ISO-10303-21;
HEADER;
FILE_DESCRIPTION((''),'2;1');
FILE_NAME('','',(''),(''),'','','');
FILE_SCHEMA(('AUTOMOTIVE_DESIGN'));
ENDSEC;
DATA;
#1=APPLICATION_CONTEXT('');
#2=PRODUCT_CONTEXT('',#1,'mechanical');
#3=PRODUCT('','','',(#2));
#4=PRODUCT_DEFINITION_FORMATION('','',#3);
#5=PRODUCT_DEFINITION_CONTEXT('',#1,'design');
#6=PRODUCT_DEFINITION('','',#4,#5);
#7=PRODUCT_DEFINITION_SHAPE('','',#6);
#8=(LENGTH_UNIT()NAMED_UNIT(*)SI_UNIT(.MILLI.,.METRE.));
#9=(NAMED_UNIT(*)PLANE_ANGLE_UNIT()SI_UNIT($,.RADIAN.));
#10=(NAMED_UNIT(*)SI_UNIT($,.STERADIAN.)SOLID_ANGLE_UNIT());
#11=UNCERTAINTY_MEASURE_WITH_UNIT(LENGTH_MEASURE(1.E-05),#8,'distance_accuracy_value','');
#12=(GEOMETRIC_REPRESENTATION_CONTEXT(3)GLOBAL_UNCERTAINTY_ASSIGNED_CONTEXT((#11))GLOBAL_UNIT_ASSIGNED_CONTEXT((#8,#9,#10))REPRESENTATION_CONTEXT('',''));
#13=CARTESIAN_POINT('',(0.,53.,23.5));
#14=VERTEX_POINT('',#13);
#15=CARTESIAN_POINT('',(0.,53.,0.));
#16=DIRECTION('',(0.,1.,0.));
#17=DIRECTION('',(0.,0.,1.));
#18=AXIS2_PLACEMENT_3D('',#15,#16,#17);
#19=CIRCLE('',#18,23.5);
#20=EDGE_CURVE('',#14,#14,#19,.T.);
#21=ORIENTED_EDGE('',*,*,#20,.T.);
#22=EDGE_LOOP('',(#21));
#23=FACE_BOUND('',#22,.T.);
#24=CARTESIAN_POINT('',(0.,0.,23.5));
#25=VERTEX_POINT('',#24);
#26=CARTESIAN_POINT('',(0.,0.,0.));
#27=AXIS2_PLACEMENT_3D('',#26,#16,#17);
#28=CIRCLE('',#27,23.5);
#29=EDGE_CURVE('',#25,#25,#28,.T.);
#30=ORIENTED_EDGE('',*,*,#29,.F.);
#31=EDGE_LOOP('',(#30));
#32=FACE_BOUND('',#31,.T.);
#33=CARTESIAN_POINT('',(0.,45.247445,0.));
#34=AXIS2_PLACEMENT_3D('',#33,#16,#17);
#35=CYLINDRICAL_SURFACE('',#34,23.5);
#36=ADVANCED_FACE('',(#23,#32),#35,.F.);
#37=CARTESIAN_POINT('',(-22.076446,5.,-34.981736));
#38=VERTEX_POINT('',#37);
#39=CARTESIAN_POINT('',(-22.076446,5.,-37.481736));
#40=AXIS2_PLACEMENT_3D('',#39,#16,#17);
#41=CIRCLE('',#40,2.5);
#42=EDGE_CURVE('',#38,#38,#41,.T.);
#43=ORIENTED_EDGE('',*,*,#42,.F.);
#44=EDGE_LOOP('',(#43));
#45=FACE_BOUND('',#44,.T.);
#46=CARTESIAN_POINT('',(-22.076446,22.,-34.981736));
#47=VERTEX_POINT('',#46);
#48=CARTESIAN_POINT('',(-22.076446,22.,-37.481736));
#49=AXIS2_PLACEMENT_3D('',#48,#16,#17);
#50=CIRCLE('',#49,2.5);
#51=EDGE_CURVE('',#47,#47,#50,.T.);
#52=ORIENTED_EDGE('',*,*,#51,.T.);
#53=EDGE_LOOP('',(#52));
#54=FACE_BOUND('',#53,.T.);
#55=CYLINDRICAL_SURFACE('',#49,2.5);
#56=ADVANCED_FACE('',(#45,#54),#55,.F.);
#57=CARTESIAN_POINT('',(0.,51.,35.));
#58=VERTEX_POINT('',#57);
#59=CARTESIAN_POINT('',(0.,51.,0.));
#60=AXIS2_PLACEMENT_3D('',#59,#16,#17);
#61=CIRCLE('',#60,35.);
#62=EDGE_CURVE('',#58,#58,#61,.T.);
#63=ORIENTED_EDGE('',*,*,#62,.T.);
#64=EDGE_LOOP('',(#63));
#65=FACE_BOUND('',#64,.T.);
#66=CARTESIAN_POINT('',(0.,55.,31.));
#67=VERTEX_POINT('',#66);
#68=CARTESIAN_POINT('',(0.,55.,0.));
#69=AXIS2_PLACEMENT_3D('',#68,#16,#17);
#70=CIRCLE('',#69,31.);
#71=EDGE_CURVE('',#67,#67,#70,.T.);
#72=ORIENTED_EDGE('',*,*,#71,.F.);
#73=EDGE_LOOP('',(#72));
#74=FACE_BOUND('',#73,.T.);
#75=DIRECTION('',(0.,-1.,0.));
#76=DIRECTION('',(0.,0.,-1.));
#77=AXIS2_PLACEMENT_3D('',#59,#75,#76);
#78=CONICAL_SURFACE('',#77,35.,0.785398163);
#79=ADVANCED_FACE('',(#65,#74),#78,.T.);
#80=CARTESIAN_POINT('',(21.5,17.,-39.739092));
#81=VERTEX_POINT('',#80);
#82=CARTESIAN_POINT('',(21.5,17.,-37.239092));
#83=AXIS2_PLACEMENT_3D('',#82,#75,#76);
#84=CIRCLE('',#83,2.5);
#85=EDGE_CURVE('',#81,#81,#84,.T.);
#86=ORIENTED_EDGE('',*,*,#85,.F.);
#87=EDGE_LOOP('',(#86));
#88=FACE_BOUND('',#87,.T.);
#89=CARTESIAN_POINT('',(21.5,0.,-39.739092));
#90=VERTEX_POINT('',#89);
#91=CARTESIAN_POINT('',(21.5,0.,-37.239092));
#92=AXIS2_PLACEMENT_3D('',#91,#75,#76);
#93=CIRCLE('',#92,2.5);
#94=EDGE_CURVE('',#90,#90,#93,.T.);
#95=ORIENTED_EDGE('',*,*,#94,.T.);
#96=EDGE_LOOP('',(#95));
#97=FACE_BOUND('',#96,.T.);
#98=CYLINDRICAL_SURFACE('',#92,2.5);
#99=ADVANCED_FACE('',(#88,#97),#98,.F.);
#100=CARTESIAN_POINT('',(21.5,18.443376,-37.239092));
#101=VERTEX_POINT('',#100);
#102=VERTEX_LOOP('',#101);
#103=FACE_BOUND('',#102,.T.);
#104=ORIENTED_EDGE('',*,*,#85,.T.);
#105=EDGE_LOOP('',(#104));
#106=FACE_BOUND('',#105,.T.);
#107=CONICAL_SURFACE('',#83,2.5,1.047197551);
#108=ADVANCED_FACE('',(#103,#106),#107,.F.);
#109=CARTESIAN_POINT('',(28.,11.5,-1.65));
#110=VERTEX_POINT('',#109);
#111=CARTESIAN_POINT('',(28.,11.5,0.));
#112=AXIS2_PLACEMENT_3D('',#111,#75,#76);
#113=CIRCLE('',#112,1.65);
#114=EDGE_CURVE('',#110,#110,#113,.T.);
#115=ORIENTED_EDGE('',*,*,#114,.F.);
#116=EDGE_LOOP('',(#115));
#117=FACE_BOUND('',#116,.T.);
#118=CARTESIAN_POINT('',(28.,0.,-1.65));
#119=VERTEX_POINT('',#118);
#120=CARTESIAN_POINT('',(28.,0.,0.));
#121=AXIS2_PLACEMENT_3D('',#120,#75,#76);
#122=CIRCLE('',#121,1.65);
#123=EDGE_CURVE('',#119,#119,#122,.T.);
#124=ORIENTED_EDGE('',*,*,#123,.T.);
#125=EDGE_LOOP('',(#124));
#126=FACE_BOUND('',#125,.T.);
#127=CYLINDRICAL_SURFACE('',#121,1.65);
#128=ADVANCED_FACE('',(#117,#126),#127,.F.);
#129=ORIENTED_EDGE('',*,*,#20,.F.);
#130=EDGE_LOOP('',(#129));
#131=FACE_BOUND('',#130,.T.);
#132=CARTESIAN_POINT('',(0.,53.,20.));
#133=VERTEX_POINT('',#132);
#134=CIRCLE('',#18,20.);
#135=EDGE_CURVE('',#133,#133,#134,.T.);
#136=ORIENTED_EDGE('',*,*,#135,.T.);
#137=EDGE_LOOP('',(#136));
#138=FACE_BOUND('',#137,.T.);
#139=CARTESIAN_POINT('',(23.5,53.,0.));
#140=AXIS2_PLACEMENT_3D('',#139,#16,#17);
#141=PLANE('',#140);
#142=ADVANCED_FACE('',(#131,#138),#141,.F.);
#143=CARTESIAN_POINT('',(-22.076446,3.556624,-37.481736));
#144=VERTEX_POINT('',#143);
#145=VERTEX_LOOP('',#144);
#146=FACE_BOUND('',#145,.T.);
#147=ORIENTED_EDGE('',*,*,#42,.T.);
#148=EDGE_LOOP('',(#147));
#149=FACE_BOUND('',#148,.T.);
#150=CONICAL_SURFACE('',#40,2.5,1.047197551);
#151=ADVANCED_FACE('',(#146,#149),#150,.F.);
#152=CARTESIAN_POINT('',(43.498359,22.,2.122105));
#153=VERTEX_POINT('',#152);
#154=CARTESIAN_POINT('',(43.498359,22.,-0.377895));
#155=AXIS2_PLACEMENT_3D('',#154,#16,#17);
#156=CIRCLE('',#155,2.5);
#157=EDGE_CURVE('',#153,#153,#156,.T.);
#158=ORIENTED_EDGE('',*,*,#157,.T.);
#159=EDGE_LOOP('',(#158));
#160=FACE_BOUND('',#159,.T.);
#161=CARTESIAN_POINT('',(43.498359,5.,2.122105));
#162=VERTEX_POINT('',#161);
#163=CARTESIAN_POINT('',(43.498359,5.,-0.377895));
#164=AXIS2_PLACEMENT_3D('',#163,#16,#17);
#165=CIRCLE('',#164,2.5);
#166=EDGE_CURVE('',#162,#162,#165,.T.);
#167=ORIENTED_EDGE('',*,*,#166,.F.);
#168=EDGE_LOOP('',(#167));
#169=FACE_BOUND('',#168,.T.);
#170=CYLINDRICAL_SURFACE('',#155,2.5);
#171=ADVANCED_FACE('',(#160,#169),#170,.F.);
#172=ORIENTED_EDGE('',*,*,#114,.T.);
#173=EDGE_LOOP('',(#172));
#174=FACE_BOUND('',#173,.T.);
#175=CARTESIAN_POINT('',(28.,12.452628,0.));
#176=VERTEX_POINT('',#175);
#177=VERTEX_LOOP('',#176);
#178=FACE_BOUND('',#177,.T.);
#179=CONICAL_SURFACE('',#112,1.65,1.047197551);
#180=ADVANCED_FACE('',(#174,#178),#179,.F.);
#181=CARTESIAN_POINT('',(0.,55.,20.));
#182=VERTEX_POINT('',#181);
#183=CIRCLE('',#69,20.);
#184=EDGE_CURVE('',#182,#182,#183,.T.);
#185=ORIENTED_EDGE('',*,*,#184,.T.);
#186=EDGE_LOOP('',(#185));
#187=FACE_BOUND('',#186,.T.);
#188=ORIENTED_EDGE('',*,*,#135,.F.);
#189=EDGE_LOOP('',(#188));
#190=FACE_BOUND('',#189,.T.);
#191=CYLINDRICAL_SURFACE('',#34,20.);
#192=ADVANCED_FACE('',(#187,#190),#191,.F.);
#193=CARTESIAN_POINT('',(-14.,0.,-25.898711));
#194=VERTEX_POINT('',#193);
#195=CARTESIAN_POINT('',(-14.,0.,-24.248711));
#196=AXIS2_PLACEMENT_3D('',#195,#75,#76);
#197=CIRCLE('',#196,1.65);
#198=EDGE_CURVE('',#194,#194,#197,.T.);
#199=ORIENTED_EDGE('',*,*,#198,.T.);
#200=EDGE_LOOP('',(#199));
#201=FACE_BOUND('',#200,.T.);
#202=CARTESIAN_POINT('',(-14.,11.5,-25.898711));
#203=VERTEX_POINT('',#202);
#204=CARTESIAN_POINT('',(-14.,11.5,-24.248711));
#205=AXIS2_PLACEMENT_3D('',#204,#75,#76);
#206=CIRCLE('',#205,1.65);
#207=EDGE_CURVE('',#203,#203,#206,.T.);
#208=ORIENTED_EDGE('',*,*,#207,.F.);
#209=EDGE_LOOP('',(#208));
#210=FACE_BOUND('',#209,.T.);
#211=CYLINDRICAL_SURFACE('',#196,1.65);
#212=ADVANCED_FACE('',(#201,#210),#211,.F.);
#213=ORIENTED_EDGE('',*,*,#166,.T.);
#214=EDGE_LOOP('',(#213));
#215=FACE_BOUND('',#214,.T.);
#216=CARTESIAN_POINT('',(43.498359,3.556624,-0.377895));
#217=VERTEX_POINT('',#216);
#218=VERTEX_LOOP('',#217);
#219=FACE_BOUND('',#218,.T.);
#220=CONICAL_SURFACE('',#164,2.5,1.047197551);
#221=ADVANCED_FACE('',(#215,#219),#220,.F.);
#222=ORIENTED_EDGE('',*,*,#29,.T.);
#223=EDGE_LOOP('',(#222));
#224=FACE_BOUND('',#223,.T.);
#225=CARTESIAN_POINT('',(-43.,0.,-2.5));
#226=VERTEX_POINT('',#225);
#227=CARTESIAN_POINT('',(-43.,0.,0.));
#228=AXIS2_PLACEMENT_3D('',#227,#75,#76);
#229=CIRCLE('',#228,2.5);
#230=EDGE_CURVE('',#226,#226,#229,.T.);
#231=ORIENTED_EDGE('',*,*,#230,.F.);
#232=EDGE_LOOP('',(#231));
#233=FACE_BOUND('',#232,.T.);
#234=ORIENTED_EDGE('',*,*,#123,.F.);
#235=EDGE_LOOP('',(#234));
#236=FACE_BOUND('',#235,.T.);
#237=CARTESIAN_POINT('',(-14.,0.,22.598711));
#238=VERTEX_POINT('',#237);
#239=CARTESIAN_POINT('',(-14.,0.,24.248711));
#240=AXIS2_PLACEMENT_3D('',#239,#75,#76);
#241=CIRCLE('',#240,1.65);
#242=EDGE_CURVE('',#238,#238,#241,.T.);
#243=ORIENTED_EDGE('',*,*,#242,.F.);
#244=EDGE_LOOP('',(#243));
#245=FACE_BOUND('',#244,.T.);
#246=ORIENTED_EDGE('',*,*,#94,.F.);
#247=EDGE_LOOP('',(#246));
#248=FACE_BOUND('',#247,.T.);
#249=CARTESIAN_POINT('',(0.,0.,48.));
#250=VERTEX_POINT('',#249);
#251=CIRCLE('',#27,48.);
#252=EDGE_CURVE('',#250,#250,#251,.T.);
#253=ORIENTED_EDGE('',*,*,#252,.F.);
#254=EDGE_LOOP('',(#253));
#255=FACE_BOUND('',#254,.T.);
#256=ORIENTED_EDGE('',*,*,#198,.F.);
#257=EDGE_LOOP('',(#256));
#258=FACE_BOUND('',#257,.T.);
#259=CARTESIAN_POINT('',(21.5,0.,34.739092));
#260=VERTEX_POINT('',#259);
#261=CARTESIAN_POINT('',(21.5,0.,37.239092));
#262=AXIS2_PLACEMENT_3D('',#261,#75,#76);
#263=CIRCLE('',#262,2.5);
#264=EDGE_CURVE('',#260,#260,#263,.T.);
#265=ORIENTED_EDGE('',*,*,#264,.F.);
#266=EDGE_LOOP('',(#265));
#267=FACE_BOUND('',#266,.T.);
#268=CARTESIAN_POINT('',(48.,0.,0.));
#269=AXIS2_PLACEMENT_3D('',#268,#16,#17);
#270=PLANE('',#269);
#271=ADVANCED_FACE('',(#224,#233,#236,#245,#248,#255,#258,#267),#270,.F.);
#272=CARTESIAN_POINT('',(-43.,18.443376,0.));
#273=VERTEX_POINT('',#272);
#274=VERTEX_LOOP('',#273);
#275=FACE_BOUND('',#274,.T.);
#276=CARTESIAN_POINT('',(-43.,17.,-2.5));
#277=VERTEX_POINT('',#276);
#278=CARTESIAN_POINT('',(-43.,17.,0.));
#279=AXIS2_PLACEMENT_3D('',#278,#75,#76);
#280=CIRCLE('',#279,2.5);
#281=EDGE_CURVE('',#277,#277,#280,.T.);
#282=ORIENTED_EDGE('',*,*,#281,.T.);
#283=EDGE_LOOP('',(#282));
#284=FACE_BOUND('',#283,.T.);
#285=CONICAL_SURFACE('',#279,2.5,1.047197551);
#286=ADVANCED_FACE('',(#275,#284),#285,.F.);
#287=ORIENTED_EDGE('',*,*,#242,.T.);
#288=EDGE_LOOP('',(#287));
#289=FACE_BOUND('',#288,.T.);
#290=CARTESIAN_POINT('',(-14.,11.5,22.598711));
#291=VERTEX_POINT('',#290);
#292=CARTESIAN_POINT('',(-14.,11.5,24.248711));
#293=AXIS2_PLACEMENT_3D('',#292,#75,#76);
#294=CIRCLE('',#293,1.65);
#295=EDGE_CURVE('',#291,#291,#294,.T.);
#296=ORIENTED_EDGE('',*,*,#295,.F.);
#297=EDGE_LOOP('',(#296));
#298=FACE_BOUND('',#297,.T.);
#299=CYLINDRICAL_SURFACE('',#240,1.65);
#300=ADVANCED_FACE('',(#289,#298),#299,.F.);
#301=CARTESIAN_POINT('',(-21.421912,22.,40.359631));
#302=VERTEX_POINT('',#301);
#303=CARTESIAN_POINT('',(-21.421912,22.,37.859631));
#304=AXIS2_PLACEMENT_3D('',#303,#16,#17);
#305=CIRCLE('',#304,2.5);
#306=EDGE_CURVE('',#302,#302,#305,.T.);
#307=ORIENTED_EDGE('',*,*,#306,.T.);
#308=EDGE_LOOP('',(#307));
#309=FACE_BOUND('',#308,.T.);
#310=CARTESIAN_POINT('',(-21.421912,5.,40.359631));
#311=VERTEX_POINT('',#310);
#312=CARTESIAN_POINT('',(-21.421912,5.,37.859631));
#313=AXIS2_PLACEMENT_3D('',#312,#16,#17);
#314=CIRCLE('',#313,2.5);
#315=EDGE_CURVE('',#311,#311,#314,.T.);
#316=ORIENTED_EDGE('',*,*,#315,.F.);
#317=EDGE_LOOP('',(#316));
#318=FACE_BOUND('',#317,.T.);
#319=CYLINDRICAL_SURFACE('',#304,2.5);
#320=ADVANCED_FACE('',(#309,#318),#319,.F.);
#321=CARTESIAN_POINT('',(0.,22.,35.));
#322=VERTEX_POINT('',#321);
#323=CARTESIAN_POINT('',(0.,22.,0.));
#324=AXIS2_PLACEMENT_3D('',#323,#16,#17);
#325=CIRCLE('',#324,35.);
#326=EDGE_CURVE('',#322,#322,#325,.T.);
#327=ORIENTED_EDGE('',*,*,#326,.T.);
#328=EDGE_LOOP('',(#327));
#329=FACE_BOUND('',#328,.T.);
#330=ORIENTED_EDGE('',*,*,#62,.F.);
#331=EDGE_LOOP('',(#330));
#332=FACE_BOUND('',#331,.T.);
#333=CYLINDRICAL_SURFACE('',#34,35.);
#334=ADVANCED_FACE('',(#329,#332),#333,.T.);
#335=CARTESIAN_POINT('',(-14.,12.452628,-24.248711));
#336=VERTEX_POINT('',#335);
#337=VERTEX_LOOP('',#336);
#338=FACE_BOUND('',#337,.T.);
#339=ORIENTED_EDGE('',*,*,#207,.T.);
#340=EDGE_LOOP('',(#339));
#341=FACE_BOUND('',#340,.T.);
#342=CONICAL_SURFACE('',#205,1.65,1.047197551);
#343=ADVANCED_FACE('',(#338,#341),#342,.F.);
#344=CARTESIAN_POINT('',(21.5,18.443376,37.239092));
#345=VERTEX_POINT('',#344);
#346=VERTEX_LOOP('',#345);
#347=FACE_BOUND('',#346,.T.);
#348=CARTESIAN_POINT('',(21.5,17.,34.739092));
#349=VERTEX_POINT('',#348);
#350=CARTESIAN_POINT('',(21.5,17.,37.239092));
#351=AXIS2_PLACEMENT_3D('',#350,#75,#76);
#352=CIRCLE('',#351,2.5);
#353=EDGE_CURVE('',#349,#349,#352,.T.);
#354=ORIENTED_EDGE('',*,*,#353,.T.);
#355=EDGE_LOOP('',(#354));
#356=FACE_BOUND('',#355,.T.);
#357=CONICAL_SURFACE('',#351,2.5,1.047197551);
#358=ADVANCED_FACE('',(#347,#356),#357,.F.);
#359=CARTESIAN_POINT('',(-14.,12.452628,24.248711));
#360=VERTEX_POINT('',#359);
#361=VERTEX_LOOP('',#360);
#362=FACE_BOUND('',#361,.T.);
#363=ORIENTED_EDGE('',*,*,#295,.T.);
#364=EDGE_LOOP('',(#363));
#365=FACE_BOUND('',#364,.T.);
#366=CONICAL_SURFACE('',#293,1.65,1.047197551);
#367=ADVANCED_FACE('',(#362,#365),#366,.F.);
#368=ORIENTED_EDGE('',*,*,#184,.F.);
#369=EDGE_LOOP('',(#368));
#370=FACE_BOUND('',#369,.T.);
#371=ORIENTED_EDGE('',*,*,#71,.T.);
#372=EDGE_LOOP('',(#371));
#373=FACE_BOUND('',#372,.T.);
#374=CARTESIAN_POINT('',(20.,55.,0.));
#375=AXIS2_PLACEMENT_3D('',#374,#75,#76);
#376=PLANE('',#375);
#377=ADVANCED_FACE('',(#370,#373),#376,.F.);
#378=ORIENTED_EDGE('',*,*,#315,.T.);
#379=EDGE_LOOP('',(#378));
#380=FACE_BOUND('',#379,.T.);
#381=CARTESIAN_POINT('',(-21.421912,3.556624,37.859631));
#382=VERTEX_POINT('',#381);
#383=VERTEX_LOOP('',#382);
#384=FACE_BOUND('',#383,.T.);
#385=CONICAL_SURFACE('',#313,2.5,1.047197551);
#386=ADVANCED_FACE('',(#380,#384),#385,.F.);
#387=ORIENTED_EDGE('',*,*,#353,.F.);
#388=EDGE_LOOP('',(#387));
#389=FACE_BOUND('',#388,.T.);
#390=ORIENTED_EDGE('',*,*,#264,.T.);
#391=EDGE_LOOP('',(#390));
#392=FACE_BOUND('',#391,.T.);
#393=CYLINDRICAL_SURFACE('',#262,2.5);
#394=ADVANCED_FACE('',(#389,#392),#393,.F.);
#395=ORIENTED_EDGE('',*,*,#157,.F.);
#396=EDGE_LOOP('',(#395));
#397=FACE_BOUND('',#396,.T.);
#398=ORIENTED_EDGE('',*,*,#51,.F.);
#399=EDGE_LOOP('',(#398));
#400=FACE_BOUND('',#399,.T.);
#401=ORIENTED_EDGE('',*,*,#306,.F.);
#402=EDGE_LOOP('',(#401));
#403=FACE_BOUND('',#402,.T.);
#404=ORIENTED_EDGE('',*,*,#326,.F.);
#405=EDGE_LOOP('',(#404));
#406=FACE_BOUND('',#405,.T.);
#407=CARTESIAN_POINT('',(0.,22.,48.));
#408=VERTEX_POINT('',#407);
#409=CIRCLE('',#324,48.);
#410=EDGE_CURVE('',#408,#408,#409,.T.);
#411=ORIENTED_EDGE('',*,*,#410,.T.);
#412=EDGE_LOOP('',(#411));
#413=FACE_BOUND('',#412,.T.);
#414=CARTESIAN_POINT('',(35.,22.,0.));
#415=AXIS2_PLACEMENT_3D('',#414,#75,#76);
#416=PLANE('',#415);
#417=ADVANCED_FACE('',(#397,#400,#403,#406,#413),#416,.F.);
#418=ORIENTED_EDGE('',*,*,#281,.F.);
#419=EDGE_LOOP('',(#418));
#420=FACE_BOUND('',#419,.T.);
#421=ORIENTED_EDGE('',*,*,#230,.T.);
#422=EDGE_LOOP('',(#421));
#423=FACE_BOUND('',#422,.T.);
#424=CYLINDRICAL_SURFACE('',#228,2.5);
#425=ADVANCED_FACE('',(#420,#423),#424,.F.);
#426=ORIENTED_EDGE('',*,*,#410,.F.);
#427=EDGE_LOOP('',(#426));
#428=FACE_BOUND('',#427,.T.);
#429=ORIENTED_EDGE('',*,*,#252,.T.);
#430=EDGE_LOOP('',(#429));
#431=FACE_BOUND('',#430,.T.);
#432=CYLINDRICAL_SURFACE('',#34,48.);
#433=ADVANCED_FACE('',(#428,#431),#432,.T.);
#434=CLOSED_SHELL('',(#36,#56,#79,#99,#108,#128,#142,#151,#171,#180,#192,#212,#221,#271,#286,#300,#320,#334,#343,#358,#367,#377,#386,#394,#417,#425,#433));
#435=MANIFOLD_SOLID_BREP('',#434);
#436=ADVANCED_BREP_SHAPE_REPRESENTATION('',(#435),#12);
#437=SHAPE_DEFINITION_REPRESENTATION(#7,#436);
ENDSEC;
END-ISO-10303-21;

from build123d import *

# Parameters (mm, degrees)
R_P_TITION_CIRCULAIRE1_COUNT = 3


with BuildPart() as part:
    # Esquisse1 → Révolution1 (revolve)
    with BuildSketch(Plane.XY, mode=Mode.PRIVATE) as r_volution1_sk:
        Polygon((23.5, 0), (23.5, 53), (20, 53), (20, 55), (31, 55), (35, 51), (35, 22), (48, 22), (48, 0), align=None)
    revolve(r_volution1_sk.sketch.rotate(Axis((0, 45.247444815, 0), (0, -1, 0)), 90), axis=Axis((0, 45.247444815, 0), (0, -1, 0)))

    # Esquisse2 → Trou taraudé M61 (revolve, cut)
    with BuildSketch(Plane(origin=(43.498358535, 22, -0.377895148), x_dir=(0, 0, 1), z_dir=(1, 0, 0))):
        Polygon((0, 0), (0, 18.443375673), (2.5, 17), (2.5, 0), align=None)
    trou_taraud_m61 = revolve(axis=Axis((43.498358535, 28.35, -0.377895148), (0, -1, 0)), mode=Mode.SUBTRACT)

    # Esquisse3 → Trou taraudé M41 (revolve, cut)
    with BuildSketch(Plane(origin=(28, 0, 0), x_dir=(0, 0, -1), z_dir=(1, 0, 0))):
        Polygon((0, 0), (0, 12.452627944), (1.65, 11.5), (1.65, 0), align=None)
    trou_taraud_m41 = revolve(axis=Axis((28, -6.35, 0), (0, 1, 0)), mode=Mode.SUBTRACT)

    # Esquisse4 → Trou taraudé M62 (revolve, cut)
    with BuildSketch(Plane(origin=(-43, 0, 0), x_dir=(0, 0, -1), z_dir=(1, 0, 0))):
        Polygon((0, 0), (0, 18.443375673), (2.5, 17), (2.5, 0), align=None)
    trou_taraud_m62 = revolve(axis=Axis((-43, -6.35, 0), (0, 1, 0)), mode=Mode.SUBTRACT)

    # Répétition circulaire1: Trou taraudé M61, Trou taraudé M41, Trou taraudé M62 ×3 about axis
    r_p_tition_circulaire1_axis = Axis((0, 0, 0), (0, 1, 0))
    add([trou_taraud_m61.rotate(r_p_tition_circulaire1_axis, i * 360 / R_P_TITION_CIRCULAIRE1_COUNT) for i in range(1, R_P_TITION_CIRCULAIRE1_COUNT)], mode=Mode.SUBTRACT)
    add([trou_taraud_m41.rotate(r_p_tition_circulaire1_axis, i * 360 / R_P_TITION_CIRCULAIRE1_COUNT) for i in range(1, R_P_TITION_CIRCULAIRE1_COUNT)], mode=Mode.SUBTRACT)
    add([trou_taraud_m62.rotate(r_p_tition_circulaire1_axis, i * 360 / R_P_TITION_CIRCULAIRE1_COUNT) for i in range(1, R_P_TITION_CIRCULAIRE1_COUNT)], mode=Mode.SUBTRACT)


solid = part.part
